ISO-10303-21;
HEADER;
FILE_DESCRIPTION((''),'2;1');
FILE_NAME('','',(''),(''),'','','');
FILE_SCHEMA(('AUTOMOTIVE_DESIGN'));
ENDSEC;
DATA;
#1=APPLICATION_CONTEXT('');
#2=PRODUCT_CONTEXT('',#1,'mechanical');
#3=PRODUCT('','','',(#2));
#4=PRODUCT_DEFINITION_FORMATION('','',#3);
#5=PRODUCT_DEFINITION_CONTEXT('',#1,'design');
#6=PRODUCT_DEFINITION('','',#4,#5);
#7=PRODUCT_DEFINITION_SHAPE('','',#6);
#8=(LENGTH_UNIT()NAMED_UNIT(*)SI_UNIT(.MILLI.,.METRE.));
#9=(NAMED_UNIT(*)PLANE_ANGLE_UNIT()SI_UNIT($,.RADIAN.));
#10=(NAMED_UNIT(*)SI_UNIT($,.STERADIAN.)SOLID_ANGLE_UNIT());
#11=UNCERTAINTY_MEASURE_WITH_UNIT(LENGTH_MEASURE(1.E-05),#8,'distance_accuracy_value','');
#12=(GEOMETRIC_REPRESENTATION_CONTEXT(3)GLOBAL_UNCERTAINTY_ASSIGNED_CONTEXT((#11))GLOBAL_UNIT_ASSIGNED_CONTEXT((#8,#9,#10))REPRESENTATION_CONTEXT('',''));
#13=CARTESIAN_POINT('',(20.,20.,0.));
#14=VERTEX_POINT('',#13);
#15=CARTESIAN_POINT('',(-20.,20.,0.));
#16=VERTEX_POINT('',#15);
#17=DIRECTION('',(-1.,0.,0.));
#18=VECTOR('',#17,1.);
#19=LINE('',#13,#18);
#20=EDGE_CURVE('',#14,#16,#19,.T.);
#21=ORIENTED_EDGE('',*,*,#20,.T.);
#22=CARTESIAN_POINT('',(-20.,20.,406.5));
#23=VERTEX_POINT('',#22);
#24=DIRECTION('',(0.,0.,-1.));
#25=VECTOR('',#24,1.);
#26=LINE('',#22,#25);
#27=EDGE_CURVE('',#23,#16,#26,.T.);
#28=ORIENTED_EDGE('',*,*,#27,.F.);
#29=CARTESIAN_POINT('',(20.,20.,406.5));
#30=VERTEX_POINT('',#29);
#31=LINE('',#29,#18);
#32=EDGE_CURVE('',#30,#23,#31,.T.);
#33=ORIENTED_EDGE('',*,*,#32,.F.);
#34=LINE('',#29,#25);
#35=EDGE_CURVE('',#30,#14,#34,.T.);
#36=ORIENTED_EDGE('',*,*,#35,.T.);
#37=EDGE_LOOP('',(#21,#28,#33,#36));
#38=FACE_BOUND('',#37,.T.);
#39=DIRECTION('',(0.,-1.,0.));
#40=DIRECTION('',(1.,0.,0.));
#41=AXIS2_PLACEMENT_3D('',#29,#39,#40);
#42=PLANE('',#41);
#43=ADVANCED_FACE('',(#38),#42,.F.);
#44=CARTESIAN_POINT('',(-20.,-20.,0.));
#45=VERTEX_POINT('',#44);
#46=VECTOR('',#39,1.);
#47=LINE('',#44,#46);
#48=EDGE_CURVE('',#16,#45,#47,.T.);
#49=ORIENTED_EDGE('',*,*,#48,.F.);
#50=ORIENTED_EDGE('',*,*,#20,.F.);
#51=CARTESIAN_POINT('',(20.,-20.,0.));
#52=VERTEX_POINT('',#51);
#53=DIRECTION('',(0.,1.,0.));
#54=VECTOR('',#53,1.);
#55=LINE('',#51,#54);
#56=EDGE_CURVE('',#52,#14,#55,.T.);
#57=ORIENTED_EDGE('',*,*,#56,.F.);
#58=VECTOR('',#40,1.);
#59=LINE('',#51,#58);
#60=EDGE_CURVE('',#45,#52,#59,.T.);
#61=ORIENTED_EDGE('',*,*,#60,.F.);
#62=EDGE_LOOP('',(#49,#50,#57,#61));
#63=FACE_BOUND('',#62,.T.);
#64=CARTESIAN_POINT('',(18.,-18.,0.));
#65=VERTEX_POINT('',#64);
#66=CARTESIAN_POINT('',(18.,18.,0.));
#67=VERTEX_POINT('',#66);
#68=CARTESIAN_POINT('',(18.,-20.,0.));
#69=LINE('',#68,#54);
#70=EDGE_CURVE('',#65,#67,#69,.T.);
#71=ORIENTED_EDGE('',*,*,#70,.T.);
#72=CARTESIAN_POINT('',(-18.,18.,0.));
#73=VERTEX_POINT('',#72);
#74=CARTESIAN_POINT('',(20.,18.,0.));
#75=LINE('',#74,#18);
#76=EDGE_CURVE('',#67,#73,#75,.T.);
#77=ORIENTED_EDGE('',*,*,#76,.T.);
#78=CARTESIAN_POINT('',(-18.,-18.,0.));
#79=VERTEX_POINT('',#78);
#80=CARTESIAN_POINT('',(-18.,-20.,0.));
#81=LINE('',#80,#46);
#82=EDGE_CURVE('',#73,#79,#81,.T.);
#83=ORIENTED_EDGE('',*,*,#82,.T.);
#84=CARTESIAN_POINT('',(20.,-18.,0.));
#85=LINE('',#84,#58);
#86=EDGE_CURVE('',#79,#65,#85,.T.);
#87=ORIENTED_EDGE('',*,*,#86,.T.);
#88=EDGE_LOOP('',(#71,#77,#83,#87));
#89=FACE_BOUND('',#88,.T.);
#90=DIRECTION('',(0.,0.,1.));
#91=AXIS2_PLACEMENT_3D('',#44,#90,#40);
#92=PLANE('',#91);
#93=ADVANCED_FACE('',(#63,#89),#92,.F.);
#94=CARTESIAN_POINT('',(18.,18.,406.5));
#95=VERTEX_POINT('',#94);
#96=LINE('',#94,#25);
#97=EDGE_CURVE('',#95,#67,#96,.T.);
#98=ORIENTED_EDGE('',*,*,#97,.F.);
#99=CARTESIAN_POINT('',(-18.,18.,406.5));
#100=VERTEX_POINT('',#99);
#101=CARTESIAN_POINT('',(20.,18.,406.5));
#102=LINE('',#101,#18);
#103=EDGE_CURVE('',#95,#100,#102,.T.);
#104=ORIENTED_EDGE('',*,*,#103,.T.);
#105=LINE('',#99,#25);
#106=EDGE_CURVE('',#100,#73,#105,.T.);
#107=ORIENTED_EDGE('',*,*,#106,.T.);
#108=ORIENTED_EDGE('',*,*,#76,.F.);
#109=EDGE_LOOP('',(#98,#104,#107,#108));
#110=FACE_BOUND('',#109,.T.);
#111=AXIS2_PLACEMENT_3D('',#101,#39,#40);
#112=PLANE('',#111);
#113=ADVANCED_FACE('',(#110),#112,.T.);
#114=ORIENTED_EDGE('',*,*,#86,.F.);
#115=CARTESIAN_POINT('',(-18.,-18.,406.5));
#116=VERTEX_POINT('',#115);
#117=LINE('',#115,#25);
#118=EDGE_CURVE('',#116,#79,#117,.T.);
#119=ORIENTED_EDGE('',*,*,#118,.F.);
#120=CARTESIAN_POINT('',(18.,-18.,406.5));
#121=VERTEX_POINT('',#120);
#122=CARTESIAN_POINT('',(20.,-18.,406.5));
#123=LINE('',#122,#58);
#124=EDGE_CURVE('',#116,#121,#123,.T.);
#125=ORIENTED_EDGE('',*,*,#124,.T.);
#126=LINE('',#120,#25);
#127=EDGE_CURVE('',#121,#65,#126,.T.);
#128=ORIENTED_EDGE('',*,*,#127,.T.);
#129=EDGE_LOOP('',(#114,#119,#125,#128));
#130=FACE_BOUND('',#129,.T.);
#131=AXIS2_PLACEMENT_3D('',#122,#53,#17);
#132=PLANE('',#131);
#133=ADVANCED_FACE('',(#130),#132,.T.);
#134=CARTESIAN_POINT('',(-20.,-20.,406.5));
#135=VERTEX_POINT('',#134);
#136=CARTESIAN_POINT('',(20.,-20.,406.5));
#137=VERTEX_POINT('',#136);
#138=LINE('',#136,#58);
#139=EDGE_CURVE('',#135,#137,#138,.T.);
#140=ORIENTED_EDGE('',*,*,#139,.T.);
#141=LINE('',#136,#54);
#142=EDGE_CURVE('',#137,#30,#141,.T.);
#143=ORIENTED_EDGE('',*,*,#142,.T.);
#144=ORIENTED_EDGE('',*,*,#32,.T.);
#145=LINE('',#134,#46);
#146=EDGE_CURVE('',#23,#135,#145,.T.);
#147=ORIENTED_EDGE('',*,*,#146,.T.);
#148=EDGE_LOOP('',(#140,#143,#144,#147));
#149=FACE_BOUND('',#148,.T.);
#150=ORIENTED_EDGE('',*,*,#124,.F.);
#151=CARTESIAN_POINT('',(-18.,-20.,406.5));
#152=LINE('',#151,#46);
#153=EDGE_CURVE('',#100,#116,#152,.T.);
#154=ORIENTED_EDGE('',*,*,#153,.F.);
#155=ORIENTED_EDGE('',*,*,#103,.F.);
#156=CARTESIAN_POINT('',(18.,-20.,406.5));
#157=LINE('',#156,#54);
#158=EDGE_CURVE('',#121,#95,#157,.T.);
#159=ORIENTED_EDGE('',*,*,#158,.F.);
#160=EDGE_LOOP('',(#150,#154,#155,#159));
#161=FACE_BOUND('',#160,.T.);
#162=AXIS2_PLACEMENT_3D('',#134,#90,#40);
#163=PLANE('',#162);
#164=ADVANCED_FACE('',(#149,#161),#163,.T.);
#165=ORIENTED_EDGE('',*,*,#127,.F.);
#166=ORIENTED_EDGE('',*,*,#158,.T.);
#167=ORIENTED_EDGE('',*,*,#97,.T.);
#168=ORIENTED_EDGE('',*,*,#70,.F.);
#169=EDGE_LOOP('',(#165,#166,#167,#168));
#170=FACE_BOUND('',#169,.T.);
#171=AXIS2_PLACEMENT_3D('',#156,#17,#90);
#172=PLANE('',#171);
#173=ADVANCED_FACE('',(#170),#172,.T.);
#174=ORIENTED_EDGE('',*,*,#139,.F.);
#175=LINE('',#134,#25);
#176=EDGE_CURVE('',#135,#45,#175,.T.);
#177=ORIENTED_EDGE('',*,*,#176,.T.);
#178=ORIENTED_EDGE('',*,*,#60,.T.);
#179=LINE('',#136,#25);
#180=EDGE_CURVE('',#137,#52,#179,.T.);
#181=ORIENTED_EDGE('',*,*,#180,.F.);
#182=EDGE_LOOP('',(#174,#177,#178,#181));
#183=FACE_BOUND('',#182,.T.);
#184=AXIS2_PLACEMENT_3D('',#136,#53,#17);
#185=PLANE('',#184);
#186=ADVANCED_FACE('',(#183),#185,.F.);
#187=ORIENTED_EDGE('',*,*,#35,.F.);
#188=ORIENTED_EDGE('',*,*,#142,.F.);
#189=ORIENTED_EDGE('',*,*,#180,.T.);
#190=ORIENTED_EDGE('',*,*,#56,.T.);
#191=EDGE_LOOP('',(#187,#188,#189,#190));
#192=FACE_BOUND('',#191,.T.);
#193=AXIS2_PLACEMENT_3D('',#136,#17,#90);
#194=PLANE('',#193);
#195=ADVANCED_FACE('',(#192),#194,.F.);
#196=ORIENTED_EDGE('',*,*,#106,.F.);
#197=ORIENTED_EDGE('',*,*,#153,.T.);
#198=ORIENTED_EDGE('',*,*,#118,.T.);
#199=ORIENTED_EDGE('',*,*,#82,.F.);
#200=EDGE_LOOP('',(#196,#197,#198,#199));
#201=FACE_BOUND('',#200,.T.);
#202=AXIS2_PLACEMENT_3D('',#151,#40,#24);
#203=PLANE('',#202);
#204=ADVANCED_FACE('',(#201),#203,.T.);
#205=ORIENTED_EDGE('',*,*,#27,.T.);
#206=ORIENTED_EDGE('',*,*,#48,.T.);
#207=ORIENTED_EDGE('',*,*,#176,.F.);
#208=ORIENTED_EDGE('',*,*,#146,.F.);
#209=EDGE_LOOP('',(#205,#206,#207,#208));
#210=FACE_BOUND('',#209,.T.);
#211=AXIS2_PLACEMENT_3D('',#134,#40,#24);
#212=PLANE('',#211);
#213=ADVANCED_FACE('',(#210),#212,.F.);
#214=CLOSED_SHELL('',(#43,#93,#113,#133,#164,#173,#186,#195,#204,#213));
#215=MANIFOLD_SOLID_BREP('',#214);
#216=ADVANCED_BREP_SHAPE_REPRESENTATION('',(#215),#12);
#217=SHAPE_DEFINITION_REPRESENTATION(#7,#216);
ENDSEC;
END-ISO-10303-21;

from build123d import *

# Parameters (mm, degrees)
CROQUIS1_W            = 40
CROQUIS1_H            = 40
CROQUIS1_W_2          = 36
CROQUIS1_H_2          = 36
EXTRUIR_L_MINA1_DEPTH = 406.5


with BuildPart() as part:
    # Croquis1 → Extruir-Lámina1 (new body)
    with BuildSketch(Plane.XY):
        Rectangle(CROQUIS1_W, CROQUIS1_H)
        Rectangle(CROQUIS1_W_2, CROQUIS1_H_2, mode=Mode.SUBTRACT)
    extrude(amount=EXTRUIR_L_MINA1_DEPTH)


solid = part.part
